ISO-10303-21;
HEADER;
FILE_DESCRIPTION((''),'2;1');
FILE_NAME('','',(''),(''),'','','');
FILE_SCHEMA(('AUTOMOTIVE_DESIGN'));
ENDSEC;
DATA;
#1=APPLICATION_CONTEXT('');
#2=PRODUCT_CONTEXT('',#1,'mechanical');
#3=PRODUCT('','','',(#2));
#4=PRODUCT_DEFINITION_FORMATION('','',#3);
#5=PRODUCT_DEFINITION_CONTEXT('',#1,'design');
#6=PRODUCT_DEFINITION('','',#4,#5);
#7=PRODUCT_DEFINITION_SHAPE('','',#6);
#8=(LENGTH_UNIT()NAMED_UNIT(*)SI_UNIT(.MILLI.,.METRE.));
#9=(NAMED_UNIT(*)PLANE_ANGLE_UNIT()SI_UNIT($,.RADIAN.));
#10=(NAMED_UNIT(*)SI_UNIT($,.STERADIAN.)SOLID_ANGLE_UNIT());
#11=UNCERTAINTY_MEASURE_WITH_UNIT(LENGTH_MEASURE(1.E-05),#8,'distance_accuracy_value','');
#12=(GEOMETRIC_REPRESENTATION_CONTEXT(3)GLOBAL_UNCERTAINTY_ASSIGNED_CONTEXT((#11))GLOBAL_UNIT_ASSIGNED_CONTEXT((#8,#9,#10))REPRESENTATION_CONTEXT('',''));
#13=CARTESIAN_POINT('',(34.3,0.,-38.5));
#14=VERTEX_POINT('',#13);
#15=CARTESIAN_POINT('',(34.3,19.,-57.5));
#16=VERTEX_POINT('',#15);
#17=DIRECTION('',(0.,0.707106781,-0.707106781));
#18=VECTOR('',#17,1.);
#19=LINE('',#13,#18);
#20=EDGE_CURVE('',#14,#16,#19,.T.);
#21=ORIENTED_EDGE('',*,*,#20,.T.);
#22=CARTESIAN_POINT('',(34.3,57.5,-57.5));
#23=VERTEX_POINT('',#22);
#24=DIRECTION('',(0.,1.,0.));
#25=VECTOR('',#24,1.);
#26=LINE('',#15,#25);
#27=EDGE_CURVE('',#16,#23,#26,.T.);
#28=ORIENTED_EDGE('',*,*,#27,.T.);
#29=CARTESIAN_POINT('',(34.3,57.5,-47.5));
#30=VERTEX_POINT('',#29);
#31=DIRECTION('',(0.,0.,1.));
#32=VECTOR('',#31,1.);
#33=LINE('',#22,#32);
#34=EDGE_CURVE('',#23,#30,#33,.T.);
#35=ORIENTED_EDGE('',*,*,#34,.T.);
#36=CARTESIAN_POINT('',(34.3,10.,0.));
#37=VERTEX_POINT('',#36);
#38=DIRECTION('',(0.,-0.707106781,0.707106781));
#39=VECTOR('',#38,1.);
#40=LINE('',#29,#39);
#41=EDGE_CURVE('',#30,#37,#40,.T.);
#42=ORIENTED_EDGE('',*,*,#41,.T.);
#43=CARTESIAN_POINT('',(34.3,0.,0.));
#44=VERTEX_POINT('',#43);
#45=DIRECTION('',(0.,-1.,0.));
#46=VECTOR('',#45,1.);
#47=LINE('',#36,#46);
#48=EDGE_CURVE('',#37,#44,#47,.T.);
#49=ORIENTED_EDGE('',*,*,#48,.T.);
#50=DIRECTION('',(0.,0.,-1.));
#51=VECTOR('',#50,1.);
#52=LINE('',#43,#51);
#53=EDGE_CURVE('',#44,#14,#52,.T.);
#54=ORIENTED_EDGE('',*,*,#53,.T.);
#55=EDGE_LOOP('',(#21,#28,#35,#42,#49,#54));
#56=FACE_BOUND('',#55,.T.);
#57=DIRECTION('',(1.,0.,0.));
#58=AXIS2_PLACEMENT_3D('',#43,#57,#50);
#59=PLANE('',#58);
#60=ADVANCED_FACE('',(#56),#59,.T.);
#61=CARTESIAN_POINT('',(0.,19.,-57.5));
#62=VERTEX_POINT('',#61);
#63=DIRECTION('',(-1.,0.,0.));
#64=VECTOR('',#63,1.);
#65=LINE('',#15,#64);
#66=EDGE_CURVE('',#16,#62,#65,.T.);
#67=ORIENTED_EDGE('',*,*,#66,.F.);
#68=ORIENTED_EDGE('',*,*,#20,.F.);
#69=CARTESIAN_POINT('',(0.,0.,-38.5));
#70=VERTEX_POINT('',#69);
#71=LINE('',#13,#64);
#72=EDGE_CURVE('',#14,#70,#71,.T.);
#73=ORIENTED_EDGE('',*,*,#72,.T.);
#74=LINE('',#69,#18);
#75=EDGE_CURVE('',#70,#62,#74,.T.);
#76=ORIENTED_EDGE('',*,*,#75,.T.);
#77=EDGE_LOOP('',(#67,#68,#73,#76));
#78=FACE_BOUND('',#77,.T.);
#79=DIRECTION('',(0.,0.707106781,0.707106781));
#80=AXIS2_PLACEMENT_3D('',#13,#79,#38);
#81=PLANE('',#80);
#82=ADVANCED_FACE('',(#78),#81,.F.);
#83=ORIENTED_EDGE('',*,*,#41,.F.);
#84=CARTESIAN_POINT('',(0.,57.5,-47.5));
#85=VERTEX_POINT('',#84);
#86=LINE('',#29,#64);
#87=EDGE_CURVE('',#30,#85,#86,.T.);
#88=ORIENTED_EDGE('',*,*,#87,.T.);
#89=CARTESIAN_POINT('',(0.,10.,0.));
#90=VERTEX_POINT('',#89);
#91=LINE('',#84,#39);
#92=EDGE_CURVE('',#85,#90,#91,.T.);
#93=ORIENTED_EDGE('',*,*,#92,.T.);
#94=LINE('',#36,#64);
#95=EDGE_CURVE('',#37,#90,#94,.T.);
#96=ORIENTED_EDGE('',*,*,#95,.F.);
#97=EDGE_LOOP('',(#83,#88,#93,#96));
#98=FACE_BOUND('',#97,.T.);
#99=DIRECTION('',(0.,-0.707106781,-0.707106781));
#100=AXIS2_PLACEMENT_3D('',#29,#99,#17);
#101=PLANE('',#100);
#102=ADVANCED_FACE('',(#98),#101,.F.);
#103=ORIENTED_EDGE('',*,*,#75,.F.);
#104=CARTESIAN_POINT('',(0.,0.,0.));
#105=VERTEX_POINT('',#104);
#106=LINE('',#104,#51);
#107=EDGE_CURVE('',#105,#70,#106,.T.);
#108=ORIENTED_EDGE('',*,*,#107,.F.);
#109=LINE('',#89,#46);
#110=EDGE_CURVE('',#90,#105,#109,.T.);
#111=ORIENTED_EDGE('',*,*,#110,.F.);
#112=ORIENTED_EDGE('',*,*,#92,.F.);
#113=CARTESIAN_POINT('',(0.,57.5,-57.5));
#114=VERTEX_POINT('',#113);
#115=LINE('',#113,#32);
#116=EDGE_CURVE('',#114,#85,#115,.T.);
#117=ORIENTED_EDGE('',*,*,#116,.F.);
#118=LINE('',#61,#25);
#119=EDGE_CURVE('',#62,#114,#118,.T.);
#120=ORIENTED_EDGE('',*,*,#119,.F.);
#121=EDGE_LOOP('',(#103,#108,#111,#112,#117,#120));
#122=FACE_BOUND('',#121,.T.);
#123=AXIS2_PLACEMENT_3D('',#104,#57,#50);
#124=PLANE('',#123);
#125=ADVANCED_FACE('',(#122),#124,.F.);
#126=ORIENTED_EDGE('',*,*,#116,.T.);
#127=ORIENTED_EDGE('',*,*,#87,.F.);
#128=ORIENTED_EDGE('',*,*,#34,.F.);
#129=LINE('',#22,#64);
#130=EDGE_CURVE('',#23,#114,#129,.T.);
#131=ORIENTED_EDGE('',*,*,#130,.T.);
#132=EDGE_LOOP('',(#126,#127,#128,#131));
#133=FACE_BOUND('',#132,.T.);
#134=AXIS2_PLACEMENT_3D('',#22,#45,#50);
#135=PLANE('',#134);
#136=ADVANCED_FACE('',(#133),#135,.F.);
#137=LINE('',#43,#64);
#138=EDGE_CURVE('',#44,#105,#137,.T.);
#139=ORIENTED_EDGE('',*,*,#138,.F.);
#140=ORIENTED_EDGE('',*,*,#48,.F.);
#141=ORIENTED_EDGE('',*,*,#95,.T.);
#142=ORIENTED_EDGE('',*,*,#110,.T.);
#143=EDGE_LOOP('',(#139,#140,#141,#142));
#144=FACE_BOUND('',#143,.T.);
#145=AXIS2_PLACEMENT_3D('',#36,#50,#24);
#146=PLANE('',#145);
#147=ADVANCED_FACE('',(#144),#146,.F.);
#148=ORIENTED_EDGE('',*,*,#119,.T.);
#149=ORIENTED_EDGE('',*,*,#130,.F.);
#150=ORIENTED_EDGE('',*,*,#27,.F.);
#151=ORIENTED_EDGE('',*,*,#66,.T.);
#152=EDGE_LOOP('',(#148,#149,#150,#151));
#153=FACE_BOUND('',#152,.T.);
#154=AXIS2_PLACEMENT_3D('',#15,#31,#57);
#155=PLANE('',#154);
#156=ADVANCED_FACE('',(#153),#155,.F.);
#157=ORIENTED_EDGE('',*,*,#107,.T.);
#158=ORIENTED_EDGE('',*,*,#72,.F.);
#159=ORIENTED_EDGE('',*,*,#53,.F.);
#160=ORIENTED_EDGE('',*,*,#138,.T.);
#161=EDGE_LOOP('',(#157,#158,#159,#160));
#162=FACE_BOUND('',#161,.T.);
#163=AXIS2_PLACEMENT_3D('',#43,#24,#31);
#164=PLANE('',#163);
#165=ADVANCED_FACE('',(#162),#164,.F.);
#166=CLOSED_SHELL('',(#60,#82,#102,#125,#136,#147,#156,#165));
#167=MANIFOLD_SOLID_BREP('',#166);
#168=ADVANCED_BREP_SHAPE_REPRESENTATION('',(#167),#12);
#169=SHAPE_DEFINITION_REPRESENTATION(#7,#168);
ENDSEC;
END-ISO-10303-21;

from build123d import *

# Parameters (mm, degrees)
BOSS_EXTRUDE1_DEPTH = 34.3


with BuildPart() as part:
    # Sketch1 → Boss-Extrude1 (new body)
    with BuildSketch(Plane(origin=(0, 0, 0), x_dir=(0, 0, -1), z_dir=(1, 0, 0))):
        Polygon((0, 0), (38.5, 0), (57.5, 19), (57.5, 57.5), (47.5, 57.5), (0, 10), align=None)
    extrude(amount=BOSS_EXTRUDE1_DEPTH)


solid = part.part
